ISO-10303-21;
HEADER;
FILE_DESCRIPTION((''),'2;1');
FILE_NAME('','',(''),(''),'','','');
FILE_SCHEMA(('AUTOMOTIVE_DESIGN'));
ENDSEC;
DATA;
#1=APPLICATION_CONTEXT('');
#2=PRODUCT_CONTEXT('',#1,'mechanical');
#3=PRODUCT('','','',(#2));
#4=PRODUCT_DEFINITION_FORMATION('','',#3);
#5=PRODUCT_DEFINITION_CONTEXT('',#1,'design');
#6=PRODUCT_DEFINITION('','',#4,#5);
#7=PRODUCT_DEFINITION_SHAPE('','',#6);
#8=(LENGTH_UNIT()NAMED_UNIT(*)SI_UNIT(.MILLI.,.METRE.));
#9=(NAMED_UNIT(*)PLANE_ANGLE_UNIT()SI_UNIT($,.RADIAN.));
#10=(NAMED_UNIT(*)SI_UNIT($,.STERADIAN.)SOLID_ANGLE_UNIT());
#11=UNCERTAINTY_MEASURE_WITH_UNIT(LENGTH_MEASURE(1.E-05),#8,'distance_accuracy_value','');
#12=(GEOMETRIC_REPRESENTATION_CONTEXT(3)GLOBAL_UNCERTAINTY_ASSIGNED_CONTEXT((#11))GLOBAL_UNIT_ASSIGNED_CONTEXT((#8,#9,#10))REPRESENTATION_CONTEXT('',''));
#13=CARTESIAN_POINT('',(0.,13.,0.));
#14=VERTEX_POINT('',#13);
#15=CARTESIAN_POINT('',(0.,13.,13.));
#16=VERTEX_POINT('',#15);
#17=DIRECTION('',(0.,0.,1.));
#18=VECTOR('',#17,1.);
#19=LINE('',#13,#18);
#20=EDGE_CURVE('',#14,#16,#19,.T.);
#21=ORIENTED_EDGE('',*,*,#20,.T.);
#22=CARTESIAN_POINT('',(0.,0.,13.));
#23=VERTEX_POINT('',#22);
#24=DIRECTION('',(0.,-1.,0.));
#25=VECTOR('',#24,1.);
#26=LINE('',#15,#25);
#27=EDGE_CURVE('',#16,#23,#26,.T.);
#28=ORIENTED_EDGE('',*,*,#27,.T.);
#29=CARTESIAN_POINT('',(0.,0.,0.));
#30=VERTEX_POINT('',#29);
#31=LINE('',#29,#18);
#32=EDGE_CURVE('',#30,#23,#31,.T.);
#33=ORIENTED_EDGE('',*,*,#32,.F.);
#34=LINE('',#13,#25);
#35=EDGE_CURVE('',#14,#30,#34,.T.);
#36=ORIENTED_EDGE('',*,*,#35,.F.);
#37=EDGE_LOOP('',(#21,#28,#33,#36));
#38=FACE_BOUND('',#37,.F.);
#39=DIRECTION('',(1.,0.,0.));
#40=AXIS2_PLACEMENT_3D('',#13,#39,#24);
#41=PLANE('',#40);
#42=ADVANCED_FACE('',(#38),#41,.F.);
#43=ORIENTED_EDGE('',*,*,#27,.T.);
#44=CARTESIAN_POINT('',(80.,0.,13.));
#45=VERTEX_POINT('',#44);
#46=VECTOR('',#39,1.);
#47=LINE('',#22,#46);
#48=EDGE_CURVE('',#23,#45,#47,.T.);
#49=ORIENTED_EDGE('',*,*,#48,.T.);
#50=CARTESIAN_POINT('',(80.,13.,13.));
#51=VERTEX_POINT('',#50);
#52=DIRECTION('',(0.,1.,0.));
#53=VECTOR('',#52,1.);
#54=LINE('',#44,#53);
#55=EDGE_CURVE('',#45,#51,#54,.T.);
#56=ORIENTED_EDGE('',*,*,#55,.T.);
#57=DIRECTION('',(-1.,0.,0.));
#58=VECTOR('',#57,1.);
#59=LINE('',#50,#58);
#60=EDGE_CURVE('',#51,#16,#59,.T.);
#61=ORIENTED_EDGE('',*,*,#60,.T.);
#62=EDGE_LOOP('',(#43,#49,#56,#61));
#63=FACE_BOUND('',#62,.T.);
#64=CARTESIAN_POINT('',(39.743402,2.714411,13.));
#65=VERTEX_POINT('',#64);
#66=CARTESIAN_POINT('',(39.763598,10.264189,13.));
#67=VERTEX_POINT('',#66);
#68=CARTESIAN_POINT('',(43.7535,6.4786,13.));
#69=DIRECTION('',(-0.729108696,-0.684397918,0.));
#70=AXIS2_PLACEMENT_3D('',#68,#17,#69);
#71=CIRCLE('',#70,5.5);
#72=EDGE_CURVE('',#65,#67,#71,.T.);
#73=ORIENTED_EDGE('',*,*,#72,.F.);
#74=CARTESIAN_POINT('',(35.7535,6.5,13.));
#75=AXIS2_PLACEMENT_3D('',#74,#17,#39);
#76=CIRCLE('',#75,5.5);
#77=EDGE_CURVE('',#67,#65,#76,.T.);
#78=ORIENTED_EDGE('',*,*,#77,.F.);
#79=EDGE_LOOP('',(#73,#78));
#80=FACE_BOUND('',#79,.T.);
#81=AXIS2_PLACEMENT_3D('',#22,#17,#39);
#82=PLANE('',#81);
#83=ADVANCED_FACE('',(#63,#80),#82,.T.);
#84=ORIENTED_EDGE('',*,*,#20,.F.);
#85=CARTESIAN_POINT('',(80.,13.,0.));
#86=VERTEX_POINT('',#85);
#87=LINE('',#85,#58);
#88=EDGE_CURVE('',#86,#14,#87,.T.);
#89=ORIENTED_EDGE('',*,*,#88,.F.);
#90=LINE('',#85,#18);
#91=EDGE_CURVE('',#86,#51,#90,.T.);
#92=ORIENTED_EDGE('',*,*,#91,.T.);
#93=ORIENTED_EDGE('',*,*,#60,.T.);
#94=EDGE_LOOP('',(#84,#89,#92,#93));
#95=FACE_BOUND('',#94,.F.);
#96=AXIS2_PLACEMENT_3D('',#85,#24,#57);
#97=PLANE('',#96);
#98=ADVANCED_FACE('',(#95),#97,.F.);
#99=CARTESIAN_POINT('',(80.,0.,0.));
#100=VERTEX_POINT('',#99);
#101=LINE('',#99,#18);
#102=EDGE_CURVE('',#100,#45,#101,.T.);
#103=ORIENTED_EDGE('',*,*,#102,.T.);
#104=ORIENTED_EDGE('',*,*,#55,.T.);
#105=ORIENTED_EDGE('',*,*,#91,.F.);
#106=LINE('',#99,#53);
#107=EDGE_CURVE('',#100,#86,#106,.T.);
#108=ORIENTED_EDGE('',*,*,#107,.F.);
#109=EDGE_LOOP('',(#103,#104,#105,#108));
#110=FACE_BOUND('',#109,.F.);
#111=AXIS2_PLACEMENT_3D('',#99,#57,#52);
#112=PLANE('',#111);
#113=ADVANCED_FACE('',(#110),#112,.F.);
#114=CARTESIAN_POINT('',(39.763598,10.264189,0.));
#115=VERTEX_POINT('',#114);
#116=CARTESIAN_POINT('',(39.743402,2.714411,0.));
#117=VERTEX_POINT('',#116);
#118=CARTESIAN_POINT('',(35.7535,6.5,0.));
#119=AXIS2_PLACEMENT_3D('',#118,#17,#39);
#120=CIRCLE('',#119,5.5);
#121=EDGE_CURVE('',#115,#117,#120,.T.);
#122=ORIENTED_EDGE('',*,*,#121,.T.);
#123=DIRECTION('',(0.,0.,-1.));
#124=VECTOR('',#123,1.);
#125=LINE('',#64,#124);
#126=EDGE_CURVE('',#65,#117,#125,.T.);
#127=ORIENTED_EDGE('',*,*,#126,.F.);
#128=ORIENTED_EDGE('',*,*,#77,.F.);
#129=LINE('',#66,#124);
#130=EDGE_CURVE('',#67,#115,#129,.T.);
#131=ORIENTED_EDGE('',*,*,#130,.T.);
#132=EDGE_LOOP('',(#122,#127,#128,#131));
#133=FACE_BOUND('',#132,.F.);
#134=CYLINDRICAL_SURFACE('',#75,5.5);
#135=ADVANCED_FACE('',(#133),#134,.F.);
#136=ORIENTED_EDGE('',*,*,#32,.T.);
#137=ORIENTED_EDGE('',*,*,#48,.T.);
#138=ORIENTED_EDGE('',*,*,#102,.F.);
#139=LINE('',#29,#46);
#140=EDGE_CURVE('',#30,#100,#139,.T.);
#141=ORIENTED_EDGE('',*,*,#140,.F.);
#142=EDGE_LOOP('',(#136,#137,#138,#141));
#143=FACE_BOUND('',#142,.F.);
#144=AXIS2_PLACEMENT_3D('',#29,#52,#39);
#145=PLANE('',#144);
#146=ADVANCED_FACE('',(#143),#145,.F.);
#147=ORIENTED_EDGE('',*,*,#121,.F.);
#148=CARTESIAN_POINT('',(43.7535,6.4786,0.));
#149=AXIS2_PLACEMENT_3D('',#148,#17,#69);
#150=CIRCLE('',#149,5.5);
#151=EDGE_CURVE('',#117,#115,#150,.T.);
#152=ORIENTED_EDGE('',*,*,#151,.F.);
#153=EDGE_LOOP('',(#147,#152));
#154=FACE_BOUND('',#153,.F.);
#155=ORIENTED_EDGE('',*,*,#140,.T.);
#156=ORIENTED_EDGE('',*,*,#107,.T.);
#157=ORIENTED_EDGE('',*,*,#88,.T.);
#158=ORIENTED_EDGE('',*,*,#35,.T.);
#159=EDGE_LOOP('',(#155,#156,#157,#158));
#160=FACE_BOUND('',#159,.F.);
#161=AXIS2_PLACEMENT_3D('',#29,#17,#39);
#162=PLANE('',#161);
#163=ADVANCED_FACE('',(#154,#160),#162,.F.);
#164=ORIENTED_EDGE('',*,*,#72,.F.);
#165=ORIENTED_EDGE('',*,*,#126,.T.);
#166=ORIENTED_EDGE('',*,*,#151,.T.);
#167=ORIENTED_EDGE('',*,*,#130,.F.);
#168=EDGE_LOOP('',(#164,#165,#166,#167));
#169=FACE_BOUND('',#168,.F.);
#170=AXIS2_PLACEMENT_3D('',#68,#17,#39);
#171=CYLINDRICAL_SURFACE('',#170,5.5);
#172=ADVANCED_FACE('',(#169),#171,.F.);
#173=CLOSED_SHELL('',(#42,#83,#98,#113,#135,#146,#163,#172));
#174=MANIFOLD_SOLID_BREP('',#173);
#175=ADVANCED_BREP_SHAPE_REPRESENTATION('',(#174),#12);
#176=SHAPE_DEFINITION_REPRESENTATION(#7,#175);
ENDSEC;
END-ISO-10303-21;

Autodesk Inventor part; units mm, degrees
ref_plane "YZ Plane" through (0, 0, 0) normal (1, 0, 0) x (0, 1, 0)
ref_plane "XZ Plane" through (0, 0, 0) normal (0, 1, 0) x (-1, 0, 0)
ref_plane "XY Plane" through (0, 0, 0) normal (0, 0, 1) x (1, 0, 0)
sketch "Sketch1" plane through (0, 0, 0) normal (0, 0, 1) x (1, 0, 0)
  line L0 (0, 0) -> (80, 0)
  line L1 (80, 0) -> (80, 13)
  line L2 (80, 13) -> (0, 13)
  line L3 (0, 13) -> (0, 0)
  dimension "d0" = 80
  dimension "d1" = 13
extrude "Extrusion1" add sketch "Sketch1" along normal blind 13
sketch "Sketch2" plane through (0, 0, 13) normal (0, 0, 1) x (1, 0, 0)
  circle A0 centre (35.7535, 6.5) radius 5.5
  circle A1 centre (43.7535, 6.4786) radius 5.5
  line L0 (80, 13) -> (0, 13) projected
  line L1 (80, 0) -> (80, 13) projected
  line L2 (0, 13) -> (0, 0) projected
  line L3 (80, 0) -> (80, 13) projected
  line L4 (80, 13) -> (0, 13) projected
  line L5 (0, 13) -> (0, 0) projected
  line L6 (0, 0) -> (80, 0) projected
  point P0 (39.7636, 10.2642)
  point P1 (39.7434, 2.7144)
  point P2 (40, 13)
  dimension "d14" = 13
  dimension "d15" = 80
  dimension "d17" = 40
  dimension "d18" = 19
  dimension "d19" = 6.5
  dimension "d20" = 8
extrude "Extrusion2" cut sketch "Sketch2" against normal blind 13 contours A0 A1 | A0 A1 | A1 A0
properties part number "Weight_Sensor"
